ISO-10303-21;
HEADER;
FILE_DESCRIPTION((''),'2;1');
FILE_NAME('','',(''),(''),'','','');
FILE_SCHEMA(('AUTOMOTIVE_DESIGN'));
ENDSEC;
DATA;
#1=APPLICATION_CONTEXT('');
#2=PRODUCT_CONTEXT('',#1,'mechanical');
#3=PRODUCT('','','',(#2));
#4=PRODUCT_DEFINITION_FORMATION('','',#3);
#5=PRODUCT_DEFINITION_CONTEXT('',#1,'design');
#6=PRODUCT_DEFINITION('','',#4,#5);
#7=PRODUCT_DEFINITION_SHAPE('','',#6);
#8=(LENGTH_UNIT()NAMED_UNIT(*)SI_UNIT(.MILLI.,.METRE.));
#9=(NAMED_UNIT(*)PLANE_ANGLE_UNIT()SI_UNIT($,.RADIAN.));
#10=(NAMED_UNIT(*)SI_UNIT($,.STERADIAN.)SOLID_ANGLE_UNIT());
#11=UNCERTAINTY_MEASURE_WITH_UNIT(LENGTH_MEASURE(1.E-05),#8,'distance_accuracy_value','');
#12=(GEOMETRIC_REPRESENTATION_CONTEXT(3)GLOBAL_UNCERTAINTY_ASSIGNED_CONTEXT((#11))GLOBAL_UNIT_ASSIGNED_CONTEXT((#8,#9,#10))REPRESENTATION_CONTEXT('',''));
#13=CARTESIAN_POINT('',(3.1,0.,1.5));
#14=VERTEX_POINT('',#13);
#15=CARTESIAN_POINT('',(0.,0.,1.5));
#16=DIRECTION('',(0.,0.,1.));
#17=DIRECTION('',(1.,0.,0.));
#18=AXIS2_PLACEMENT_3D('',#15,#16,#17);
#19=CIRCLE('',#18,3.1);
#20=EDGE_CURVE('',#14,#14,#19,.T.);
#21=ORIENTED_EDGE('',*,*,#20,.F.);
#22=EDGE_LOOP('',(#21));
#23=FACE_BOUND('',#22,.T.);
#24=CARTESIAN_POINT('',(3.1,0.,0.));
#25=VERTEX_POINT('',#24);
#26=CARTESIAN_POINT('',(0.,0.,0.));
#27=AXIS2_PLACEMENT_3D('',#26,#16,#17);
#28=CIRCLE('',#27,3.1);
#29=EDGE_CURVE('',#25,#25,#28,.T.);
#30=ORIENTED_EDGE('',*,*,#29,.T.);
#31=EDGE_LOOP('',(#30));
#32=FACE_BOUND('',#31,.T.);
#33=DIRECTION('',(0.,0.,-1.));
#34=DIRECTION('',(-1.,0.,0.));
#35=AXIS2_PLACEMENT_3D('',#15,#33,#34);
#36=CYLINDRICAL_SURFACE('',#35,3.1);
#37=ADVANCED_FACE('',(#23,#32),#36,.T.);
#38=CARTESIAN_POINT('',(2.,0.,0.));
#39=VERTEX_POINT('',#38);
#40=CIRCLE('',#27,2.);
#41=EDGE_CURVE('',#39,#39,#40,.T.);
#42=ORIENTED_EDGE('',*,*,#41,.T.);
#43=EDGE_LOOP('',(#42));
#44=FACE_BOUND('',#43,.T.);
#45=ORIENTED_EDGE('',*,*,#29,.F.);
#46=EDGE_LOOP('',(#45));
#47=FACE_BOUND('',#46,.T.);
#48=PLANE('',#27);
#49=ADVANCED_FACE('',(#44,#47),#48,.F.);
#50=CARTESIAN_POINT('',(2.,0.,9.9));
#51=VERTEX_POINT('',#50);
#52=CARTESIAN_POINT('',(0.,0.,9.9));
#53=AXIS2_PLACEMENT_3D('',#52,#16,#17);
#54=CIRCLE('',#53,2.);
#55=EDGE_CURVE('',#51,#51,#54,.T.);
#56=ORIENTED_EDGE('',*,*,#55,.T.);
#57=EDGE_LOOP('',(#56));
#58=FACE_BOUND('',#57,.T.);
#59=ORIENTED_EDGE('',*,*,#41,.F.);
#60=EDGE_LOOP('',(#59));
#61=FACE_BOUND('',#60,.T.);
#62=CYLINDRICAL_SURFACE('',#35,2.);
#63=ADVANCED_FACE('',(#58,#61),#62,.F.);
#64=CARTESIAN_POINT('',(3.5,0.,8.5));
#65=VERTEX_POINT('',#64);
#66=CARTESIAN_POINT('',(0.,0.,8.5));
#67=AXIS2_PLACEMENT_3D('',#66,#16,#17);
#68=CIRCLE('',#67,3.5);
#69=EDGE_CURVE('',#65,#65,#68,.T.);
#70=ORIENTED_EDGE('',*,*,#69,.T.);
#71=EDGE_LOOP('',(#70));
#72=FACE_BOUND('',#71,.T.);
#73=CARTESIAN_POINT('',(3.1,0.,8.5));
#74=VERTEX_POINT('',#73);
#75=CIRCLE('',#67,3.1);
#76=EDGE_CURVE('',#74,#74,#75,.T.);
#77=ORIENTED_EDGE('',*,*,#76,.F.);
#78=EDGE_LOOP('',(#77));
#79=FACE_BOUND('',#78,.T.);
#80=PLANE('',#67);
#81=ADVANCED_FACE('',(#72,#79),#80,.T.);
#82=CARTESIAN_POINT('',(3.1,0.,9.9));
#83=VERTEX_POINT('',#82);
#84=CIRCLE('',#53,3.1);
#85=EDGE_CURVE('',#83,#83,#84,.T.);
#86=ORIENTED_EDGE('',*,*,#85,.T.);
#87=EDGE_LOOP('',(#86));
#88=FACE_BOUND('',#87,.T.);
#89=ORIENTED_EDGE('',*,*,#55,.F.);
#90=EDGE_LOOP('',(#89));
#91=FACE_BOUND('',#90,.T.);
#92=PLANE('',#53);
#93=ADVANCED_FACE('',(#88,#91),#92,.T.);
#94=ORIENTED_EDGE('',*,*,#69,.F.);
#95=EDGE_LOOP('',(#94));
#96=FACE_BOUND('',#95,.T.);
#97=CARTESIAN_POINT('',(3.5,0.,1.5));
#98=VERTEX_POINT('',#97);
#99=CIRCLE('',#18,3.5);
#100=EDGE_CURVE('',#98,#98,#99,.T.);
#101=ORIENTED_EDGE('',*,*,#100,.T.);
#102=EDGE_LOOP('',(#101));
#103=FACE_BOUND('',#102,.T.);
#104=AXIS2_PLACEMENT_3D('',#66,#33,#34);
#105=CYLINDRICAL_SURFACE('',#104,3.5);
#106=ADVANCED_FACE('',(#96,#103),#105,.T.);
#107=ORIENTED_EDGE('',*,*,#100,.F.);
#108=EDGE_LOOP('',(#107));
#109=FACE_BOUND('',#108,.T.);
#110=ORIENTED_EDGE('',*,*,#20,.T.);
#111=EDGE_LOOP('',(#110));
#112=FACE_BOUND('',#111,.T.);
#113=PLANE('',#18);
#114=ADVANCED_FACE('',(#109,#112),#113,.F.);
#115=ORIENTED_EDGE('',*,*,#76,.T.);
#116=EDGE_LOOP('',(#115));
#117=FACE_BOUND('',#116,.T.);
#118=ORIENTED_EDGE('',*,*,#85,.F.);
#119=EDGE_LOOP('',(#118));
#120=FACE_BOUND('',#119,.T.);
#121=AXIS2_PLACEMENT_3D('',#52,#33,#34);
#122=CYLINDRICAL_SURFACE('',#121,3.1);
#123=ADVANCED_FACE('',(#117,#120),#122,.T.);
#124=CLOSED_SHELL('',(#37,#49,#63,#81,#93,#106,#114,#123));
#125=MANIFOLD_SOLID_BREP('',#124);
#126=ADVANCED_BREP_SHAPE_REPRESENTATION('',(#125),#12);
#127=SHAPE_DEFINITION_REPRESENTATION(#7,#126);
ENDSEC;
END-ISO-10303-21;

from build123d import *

# Parameters (mm, degrees)
SKETCH2_R           = 3.1
SKETCH2_R_2         = 2
BOSS_EXTRUDE1_DEPTH = 1.5
SKETCH3_R           = 3.5
SKETCH3_R_2         = 2
BOSS_EXTRUDE2_DEPTH = 7
SKETCH4_R           = 3.1
SKETCH4_R_2         = 2
BOSS_EXTRUDE3_DEPTH = 1.4


with BuildPart() as part:
    # Sketch2 → Boss-Extrude1 (new body)
    with BuildSketch(Plane.XY):
        Circle(SKETCH2_R)
        Circle(SKETCH2_R_2, mode=Mode.SUBTRACT)
    extrude(amount=BOSS_EXTRUDE1_DEPTH)

    # Sketch3 → Boss-Extrude2 (add)
    with BuildSketch(Plane.XY.offset(1.5)):
        Circle(SKETCH3_R)
        Circle(SKETCH3_R_2, mode=Mode.SUBTRACT)
    extrude(amount=BOSS_EXTRUDE2_DEPTH)

    # Sketch4 → Boss-Extrude3 (add)
    with BuildSketch(Plane.XY.offset(8.5)):
        Circle(SKETCH4_R)
        Circle(SKETCH4_R_2, mode=Mode.SUBTRACT)
    extrude(amount=BOSS_EXTRUDE3_DEPTH)


solid = part.part
